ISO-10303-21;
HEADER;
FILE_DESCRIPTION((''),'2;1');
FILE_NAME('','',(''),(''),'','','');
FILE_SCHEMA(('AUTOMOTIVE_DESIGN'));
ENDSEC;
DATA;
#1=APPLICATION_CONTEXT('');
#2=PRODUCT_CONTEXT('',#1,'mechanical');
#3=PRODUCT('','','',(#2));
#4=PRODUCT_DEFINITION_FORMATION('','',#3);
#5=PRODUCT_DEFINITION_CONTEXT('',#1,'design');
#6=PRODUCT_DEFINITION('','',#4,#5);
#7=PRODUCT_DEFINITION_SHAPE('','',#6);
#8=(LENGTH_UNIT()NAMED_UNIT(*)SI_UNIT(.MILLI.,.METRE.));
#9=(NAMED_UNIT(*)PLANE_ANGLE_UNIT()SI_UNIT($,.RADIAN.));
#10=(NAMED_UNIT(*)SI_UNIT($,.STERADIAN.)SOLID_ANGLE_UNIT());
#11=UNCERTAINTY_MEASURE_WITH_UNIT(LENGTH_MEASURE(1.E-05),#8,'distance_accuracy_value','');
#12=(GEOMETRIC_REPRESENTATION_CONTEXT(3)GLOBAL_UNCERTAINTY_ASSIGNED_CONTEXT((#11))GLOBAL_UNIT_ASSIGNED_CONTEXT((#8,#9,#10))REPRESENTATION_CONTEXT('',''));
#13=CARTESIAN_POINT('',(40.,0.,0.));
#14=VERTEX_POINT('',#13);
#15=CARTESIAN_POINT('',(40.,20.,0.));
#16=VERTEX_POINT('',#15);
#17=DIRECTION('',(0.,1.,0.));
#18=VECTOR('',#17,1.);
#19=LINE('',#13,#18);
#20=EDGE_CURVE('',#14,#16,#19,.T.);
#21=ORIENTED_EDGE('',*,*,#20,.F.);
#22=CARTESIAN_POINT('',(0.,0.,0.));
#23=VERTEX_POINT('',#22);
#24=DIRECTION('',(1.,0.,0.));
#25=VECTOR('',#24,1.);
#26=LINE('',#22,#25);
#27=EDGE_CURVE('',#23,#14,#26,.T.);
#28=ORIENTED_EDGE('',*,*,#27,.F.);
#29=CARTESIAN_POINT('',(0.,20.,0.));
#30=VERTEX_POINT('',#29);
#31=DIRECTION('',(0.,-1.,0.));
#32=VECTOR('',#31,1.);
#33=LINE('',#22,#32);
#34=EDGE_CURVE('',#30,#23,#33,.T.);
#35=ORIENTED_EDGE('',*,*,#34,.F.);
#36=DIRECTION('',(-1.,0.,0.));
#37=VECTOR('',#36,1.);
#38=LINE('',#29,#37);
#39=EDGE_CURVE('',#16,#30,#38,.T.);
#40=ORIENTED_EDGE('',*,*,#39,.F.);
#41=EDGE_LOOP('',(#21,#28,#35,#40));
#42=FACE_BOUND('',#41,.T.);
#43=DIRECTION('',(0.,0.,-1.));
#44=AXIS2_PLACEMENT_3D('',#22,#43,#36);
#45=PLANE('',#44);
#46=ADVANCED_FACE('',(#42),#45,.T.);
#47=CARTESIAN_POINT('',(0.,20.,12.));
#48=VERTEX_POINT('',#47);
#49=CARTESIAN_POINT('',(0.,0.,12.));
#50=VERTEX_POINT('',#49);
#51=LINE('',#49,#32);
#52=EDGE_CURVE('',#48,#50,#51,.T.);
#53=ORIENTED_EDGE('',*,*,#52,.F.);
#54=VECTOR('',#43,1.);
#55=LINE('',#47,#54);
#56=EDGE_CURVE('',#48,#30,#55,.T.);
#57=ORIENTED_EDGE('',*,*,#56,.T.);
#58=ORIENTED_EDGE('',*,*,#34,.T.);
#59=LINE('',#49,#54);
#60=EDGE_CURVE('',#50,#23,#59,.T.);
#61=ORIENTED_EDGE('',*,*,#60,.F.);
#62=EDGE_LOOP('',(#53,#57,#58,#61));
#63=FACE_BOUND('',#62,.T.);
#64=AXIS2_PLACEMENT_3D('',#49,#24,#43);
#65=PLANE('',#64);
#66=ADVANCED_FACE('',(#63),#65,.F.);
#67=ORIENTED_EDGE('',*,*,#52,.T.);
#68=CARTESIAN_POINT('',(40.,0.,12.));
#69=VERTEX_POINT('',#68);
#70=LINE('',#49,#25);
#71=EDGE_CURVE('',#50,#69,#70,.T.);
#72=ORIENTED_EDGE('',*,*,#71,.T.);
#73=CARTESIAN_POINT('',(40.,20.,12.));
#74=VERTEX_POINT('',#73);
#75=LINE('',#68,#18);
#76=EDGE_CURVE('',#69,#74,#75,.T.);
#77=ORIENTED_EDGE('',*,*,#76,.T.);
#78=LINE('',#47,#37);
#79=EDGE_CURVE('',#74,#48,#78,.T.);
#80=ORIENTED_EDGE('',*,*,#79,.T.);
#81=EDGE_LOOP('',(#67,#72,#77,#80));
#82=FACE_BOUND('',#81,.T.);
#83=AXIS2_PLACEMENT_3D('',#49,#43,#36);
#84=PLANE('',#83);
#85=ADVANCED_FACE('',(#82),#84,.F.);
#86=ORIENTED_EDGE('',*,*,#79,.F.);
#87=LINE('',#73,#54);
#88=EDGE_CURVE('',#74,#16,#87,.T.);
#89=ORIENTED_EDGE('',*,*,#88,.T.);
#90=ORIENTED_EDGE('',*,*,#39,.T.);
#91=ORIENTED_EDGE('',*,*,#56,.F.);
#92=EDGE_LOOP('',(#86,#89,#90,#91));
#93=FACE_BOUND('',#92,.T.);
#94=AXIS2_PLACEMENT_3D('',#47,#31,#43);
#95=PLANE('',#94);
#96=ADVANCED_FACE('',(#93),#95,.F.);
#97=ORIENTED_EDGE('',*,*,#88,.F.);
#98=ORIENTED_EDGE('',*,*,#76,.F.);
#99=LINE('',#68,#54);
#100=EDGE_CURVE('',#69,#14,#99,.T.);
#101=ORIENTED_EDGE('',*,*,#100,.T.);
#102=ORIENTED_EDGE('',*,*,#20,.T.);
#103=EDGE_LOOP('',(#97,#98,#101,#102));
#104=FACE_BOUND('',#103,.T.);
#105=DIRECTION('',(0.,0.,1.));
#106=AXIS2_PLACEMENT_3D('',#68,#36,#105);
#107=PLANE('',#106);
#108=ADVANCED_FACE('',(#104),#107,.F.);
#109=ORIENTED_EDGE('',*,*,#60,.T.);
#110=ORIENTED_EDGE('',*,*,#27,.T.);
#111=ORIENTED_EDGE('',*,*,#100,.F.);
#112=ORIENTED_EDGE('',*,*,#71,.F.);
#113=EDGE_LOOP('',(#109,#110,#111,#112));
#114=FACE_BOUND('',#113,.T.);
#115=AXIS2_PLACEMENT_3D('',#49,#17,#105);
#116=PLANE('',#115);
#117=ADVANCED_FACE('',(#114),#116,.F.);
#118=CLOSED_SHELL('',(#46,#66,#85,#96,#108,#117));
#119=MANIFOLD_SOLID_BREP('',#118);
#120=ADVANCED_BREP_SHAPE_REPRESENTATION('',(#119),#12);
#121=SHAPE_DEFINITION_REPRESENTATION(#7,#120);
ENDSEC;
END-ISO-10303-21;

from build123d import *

# Parameters (mm, degrees)
RECTANGLESKETCH_W = 40
RECTANGLESKETCH_H = 20
BLINDBOSS_DEPTH   = 12


with BuildPart() as part:
    # RectangleSketch → BlindBoss (new body)
    with BuildSketch(Plane.XY):
        with Locations((20, 10)):
            Rectangle(RECTANGLESKETCH_W, RECTANGLESKETCH_H)
    extrude(amount=BLINDBOSS_DEPTH)


solid = part.part
